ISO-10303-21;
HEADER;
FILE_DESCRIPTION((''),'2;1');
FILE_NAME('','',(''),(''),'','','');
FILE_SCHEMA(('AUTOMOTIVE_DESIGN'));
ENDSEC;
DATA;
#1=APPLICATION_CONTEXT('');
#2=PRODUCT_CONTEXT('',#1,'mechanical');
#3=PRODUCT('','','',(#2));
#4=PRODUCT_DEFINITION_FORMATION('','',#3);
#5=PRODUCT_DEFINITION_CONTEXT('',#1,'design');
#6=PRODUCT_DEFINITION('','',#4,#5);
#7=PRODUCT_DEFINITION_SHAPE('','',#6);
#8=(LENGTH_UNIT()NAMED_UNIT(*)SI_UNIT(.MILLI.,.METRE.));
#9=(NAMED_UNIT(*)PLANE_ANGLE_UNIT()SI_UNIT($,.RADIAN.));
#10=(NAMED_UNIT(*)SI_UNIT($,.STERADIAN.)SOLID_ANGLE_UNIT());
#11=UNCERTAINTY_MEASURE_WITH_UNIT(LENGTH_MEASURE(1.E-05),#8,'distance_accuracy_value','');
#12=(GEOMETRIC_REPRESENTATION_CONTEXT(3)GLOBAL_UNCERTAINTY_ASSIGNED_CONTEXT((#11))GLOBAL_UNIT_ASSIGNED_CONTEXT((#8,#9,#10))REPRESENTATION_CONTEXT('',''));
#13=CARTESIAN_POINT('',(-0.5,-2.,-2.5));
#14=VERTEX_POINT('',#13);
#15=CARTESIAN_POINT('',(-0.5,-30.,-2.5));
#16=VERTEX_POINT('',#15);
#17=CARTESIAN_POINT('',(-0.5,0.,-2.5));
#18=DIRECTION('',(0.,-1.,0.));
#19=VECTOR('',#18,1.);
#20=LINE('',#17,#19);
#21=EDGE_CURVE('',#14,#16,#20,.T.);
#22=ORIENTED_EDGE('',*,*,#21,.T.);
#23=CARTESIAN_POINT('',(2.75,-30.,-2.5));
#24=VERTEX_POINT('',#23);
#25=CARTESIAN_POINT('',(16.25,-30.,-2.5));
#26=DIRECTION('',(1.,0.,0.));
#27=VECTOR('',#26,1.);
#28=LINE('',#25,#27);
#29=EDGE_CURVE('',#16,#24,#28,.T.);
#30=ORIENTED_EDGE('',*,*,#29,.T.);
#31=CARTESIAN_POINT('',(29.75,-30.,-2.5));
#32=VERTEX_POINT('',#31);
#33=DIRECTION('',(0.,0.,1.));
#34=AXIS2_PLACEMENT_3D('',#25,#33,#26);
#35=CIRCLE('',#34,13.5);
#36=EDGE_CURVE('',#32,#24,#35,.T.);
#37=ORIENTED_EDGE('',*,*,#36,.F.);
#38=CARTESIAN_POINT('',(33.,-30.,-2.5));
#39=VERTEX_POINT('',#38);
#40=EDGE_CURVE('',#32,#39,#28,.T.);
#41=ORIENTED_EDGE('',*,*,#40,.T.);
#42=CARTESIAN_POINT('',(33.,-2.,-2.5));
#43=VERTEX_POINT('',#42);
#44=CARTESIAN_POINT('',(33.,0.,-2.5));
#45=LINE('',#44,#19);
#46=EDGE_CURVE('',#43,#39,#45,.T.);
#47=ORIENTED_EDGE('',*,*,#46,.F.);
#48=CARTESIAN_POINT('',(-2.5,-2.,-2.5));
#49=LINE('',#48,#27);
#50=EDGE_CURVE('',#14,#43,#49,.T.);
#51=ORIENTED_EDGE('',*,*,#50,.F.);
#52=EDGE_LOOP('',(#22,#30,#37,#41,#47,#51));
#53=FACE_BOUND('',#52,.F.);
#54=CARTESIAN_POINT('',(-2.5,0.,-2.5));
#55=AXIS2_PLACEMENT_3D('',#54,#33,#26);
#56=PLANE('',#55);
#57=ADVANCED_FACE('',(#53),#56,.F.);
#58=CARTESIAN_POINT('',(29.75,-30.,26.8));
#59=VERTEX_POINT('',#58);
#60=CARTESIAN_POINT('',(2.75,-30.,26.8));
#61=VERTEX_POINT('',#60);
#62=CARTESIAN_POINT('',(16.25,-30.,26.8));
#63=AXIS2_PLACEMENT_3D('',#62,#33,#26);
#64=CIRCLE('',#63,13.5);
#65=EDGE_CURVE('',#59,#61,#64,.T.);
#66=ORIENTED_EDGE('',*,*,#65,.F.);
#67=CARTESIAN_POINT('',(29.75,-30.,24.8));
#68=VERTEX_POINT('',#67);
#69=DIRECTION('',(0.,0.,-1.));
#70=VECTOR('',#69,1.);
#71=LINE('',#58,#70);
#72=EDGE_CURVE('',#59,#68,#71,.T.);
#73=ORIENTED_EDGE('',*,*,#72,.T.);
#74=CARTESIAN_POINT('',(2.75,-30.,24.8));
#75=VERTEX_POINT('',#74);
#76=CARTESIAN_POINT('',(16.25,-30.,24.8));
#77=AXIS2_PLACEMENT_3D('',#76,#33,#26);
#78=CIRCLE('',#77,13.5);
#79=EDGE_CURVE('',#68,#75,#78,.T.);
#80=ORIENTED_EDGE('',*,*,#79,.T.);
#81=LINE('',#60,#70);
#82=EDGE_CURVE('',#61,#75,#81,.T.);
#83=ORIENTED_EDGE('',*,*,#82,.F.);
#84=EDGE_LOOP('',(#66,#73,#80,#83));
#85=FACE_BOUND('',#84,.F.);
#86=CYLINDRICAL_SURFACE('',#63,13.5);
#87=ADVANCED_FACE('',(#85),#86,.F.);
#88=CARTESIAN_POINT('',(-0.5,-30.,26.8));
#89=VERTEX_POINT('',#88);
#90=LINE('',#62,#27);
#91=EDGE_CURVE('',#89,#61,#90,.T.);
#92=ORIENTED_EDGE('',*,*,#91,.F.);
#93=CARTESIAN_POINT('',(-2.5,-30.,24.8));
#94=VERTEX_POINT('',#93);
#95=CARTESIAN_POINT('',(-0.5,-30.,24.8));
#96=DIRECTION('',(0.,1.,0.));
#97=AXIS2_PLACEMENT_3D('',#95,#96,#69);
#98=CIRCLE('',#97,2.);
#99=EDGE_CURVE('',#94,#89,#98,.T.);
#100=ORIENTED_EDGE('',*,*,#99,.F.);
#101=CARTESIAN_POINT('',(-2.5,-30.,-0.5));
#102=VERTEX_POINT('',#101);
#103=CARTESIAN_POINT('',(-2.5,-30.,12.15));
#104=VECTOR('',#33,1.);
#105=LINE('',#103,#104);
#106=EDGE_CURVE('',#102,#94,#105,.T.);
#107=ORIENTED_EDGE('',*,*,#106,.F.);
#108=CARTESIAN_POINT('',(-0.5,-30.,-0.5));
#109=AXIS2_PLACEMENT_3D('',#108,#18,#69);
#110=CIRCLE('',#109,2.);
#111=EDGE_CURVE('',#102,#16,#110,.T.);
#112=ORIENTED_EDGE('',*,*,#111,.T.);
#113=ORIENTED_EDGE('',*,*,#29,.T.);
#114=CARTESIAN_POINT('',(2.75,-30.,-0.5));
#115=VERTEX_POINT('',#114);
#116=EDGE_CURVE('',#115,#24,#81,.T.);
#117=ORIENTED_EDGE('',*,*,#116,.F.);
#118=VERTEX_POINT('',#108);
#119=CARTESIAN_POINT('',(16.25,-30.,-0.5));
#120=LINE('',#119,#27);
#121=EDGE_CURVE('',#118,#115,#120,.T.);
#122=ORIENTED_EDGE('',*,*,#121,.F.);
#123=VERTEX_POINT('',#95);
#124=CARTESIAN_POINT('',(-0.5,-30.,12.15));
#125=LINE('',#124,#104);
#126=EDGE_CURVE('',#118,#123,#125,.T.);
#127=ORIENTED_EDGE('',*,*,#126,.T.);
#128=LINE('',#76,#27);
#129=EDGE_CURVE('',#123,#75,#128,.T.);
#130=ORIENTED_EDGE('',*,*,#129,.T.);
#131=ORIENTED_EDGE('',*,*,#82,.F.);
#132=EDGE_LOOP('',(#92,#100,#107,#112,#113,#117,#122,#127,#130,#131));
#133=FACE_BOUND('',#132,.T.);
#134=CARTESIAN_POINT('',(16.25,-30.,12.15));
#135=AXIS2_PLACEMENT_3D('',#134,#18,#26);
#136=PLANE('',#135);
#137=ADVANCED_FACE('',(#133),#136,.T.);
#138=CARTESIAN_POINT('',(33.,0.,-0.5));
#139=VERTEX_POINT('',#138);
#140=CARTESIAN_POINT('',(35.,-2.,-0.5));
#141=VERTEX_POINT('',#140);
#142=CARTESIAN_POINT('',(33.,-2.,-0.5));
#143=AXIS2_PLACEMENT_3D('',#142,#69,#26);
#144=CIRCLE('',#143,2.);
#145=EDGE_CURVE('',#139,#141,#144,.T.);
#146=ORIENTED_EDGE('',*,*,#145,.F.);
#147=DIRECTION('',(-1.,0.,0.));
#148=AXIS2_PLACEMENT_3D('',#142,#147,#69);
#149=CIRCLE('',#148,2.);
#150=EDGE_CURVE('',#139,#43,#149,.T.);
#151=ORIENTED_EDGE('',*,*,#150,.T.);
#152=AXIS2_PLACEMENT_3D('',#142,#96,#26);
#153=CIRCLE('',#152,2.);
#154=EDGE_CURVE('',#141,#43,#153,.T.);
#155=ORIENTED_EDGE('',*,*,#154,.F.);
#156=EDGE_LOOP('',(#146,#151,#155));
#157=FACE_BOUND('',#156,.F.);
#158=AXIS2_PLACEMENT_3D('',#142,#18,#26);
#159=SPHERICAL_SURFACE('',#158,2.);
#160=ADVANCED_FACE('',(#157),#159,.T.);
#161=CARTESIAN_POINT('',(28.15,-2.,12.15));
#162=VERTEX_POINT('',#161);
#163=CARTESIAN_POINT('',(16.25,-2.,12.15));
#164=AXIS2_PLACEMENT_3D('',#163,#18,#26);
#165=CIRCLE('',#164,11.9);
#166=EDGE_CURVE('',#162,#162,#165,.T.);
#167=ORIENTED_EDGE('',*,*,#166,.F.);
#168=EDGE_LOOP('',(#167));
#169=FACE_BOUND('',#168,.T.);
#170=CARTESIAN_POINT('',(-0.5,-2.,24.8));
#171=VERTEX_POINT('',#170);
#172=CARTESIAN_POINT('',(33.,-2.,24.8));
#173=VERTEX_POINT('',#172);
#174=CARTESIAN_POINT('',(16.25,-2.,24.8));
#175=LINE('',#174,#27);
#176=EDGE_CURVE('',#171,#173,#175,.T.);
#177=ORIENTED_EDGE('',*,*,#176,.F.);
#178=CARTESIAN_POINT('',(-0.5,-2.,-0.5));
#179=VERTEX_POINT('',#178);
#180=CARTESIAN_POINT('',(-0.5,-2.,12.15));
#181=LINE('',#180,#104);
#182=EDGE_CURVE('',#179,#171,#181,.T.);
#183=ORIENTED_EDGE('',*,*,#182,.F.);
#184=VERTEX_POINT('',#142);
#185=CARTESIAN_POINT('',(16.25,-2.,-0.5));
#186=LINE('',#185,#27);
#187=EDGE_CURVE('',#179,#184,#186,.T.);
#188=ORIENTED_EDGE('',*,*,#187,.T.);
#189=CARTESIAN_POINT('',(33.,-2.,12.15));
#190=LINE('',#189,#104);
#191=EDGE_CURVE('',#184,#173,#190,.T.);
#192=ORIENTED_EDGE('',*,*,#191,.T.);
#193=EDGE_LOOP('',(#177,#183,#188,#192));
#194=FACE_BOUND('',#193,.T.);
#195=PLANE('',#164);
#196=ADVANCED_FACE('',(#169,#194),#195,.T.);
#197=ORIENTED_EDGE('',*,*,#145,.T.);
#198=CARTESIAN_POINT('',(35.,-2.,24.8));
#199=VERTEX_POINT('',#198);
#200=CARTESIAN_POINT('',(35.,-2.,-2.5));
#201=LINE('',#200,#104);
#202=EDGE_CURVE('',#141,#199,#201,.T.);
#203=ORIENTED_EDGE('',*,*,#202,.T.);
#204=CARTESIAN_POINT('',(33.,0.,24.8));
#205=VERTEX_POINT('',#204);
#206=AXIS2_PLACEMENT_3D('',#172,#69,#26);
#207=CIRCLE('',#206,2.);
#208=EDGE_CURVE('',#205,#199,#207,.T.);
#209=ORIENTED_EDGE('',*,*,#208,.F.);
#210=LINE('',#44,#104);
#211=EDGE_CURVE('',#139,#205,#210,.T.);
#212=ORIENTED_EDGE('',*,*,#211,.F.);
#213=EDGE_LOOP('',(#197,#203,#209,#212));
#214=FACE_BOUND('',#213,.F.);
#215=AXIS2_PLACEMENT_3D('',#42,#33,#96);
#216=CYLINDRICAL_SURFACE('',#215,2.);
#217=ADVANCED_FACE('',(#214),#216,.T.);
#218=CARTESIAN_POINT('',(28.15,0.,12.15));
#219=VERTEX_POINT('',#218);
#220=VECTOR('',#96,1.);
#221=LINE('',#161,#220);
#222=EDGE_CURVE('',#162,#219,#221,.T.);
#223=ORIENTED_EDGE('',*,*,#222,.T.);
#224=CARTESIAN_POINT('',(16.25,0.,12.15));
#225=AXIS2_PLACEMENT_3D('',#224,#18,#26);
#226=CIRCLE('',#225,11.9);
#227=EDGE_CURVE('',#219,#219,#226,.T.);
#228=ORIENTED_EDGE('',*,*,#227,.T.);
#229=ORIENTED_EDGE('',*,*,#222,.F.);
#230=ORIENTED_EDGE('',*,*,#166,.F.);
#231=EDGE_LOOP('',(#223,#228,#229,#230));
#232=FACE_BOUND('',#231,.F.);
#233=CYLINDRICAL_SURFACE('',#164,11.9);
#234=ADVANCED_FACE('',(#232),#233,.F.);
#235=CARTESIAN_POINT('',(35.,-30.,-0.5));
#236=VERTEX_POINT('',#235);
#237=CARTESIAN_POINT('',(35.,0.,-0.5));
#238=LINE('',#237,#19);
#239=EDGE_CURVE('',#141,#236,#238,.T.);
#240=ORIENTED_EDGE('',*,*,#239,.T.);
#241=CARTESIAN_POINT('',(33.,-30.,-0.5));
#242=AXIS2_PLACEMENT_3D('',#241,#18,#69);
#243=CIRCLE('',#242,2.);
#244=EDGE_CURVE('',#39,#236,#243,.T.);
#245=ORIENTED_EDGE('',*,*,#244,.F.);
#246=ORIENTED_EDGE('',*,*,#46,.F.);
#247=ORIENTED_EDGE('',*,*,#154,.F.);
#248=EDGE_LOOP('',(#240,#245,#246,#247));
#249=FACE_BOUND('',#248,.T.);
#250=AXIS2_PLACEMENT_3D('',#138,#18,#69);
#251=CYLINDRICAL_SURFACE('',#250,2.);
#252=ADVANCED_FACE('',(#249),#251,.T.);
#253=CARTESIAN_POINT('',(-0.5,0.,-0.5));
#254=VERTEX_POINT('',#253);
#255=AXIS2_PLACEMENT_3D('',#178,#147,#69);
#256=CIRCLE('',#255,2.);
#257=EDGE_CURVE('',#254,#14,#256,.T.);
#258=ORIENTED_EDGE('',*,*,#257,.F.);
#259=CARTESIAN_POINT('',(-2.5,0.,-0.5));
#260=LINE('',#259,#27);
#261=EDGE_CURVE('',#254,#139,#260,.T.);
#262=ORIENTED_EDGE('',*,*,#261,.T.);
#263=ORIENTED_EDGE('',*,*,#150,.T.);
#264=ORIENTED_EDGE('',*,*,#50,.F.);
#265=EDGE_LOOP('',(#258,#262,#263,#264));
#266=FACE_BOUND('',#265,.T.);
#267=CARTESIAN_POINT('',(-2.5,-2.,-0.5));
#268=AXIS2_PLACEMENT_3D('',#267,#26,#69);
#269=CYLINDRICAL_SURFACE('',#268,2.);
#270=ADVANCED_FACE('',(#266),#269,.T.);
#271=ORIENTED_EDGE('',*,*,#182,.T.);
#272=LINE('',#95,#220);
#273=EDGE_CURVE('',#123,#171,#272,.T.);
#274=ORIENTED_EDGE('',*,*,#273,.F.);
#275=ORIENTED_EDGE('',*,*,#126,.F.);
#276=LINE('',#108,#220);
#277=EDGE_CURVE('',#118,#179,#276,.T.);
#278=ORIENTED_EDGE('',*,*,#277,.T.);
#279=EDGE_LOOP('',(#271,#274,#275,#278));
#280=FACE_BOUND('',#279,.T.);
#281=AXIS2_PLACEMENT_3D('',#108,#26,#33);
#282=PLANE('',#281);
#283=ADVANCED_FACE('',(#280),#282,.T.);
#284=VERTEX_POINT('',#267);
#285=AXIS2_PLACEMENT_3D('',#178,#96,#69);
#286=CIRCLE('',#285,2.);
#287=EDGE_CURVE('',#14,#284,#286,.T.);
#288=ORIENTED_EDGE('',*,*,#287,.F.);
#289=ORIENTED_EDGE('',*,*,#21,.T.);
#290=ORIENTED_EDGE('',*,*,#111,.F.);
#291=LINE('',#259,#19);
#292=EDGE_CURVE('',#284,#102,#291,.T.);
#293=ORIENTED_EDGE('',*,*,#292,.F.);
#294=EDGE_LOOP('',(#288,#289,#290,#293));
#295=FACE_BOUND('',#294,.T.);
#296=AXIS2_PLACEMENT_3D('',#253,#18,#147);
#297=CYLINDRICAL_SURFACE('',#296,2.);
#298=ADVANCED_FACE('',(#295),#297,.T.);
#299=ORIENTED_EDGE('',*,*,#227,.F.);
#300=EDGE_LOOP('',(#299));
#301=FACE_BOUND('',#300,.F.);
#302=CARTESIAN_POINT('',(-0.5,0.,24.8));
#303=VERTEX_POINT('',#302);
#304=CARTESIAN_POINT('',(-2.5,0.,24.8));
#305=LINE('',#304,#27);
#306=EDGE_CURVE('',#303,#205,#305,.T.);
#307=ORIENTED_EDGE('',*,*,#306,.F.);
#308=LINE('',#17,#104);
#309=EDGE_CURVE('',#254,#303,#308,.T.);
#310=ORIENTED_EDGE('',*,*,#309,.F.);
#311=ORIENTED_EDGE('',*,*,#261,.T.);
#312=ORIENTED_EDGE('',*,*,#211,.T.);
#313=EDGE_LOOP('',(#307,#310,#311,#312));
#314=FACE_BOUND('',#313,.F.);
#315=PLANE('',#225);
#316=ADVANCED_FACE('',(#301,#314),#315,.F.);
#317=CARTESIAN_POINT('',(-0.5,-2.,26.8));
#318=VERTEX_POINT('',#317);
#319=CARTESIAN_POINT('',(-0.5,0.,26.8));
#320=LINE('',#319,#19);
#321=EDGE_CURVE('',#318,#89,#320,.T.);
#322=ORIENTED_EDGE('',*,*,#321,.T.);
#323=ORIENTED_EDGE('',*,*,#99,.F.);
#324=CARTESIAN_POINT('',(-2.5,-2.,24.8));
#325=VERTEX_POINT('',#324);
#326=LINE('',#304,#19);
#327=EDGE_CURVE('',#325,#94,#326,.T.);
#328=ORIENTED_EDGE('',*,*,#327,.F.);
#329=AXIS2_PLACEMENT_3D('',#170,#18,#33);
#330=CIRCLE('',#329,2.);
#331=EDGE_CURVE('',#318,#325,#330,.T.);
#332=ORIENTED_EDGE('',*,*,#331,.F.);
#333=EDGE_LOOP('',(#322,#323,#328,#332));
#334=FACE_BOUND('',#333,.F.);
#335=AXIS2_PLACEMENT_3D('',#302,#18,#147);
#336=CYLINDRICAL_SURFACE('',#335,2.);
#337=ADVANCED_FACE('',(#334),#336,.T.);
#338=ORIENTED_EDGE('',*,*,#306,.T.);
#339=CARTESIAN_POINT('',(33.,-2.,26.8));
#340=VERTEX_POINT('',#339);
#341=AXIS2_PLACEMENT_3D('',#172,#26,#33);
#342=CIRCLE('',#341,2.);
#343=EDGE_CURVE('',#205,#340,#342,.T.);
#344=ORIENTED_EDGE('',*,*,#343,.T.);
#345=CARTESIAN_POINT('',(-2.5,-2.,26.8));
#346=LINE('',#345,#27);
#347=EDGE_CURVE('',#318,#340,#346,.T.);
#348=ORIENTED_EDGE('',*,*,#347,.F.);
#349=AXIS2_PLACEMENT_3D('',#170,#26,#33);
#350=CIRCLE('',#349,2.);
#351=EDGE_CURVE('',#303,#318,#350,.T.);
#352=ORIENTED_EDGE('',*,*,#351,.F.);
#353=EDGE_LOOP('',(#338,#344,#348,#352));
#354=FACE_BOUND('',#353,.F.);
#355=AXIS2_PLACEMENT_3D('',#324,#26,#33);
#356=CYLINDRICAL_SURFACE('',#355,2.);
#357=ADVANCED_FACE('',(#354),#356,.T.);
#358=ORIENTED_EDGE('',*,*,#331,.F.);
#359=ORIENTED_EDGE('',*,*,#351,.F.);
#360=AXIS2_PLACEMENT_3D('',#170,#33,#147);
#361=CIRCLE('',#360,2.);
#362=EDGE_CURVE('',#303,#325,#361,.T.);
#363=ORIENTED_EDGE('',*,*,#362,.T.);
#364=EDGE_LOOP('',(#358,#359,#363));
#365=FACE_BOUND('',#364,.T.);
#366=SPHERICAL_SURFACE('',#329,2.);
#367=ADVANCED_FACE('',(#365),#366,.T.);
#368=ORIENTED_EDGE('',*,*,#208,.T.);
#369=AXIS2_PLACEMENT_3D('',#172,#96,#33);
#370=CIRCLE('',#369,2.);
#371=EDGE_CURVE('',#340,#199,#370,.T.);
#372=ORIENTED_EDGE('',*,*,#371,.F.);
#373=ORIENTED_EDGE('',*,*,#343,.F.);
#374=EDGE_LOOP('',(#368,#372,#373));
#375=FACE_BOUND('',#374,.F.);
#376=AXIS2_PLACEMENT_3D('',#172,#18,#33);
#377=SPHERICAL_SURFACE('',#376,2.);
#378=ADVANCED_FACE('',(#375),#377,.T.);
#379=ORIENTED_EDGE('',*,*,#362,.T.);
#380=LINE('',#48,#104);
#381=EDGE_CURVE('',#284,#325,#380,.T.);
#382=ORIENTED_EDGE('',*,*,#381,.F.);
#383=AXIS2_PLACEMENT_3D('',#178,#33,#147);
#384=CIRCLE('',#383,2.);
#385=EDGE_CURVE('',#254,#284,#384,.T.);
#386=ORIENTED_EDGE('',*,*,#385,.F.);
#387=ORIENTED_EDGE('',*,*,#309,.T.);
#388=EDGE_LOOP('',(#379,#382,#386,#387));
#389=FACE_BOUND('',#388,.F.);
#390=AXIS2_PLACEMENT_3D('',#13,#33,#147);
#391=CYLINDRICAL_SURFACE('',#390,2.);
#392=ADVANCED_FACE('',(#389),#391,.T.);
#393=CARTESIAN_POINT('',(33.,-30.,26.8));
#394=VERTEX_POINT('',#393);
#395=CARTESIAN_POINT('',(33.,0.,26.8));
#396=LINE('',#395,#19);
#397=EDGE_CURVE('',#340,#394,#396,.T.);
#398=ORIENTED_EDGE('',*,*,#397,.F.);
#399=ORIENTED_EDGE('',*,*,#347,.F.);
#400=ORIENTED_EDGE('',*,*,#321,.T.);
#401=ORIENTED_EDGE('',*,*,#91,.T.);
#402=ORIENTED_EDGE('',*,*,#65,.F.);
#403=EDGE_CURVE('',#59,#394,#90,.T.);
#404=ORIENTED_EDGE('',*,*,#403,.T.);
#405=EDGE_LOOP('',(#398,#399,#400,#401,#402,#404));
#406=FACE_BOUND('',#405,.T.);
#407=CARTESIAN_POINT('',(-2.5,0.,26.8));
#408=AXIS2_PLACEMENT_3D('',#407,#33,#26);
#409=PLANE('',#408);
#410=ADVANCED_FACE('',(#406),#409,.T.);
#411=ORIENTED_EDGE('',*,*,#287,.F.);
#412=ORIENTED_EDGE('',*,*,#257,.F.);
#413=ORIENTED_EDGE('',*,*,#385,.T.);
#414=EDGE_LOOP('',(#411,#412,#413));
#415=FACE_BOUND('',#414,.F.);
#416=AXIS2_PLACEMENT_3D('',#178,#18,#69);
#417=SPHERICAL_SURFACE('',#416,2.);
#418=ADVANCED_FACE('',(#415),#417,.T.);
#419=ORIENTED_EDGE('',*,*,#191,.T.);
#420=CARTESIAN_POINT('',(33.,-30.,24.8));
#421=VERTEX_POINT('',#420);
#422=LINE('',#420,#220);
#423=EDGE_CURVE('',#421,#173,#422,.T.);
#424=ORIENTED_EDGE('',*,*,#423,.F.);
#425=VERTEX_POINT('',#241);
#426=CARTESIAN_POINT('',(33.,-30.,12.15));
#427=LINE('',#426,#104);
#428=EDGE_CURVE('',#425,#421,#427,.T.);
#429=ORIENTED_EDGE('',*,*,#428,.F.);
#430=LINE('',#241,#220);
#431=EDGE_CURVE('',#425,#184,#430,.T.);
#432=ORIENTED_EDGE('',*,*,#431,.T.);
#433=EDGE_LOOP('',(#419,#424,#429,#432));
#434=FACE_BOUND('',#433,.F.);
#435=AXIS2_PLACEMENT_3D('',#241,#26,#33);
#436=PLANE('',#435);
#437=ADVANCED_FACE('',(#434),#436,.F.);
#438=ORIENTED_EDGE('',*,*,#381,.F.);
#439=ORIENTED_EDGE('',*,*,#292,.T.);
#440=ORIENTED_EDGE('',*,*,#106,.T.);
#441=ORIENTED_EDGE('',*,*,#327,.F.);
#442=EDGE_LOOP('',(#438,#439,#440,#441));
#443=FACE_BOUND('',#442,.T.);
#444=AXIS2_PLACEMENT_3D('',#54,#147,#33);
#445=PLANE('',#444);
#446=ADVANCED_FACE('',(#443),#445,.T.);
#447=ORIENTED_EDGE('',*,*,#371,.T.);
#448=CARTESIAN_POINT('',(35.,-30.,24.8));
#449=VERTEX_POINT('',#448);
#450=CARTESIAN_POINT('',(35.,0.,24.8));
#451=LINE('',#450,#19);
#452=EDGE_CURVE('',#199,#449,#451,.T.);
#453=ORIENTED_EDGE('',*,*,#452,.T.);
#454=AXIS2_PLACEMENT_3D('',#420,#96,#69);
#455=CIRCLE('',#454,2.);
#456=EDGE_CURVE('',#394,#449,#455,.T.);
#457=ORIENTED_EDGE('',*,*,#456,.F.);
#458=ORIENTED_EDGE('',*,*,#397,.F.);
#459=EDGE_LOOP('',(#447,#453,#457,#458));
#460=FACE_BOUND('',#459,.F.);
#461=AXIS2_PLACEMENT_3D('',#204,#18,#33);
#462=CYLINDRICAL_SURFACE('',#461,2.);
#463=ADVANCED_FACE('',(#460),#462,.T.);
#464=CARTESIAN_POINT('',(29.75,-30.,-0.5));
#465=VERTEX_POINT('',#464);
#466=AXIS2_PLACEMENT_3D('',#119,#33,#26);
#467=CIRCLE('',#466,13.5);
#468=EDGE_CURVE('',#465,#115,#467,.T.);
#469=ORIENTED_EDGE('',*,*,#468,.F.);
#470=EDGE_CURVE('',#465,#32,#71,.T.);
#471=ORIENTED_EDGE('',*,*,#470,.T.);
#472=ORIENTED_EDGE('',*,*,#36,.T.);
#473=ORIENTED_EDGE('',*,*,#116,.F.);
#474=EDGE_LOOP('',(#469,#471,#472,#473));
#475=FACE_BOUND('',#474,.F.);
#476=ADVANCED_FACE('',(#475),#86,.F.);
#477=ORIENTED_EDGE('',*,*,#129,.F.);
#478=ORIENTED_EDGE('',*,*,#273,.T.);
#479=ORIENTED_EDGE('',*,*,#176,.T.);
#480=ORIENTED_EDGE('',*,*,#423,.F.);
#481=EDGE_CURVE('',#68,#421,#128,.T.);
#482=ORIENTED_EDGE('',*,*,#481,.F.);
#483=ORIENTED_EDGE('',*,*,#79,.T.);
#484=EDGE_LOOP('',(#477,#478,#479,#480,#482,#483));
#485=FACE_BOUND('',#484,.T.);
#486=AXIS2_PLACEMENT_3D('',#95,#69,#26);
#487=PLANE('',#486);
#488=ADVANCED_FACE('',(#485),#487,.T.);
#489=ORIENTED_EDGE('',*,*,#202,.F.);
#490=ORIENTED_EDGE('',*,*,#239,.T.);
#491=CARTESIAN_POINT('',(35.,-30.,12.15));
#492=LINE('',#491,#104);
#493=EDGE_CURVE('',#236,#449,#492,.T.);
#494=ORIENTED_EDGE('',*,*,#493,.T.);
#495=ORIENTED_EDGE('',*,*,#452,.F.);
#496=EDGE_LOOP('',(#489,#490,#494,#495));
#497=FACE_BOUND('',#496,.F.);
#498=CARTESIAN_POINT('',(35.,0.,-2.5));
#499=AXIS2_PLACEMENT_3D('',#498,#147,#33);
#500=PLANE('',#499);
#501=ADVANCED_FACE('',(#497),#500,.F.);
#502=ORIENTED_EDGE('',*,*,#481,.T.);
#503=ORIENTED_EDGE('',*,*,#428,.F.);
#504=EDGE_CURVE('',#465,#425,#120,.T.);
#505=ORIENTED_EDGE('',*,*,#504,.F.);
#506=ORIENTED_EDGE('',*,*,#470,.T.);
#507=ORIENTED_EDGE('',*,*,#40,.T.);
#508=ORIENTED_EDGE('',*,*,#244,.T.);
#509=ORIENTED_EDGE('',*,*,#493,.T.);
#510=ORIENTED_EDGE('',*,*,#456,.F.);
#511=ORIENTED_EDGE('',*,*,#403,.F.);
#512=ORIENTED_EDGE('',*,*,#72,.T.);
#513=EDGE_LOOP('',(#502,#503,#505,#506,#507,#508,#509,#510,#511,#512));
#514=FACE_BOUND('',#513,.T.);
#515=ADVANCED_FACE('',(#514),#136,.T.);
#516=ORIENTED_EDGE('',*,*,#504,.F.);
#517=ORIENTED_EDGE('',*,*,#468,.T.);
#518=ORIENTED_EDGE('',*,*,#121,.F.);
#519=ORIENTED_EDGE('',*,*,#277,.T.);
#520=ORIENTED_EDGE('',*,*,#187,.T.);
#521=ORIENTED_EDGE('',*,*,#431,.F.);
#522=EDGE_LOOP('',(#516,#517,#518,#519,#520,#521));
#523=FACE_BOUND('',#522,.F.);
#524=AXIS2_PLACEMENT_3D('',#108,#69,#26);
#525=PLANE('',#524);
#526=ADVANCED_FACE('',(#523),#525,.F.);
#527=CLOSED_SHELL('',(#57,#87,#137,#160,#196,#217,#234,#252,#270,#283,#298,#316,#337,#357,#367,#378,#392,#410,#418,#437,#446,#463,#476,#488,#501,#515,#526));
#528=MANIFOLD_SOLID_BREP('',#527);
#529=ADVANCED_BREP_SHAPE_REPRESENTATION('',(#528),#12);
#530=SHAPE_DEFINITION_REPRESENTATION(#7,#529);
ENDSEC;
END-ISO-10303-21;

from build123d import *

# Parameters (mm, degrees)
F0_W     = 37.5
F0_H     = 29.3
F1_DEPTH = 30
F2_W     = 33.5
F2_H     = 25.3
F3_DEPTH = 28
F4_R     = 11.9
F5_DEPTH = 2.001
F7_DEPTH = 29.301
F8_R     = 2


with BuildPart() as f1:
    # F0 (on Front) → F1 (new body)
    with BuildSketch(Plane.XZ):
        with Locations((16.25, 12.15)):
            Rectangle(F0_W, F0_H)
    extrude(amount=F1_DEPTH)

    # F2 (on face) → F3 (cut)
    with BuildSketch(Plane.XZ.offset(30)):
        with Locations((16.25, 12.15)):
            Rectangle(F2_W, F2_H)
    extrude(amount=-F3_DEPTH, mode=Mode.SUBTRACT)

    # F4 (on face) → F5 (cut, through all)
    with BuildSketch(Plane.XZ.offset(2)):
        with Locations((16.25, 12.15)):
            Circle(F4_R)
    extrude(amount=-F5_DEPTH, mode=Mode.SUBTRACT)

    # F6 (on face) → F7 (cut, through all)
    with BuildSketch(Plane.XY.offset(26.8)):
        with BuildLine():
            Line((2.75, -30), (29.75, -30))
            ThreePointArc((29.75, -30), (16.25, -16.5), (2.75, -30))
        make_face()
    extrude(amount=-F7_DEPTH, mode=Mode.SUBTRACT)

    # F8
    f8_edges = [f1.edges().sort_by_distance(p)[0] for p in [
        (-2.5, -15, 26.8),
        (-2.5, -15, -2.5),
        (35, -15, -2.5),
        (35, -15, 26.8),
        (16.25, 0, 26.8),
        (35, 0, 12.15),
        (16.25, 0, -2.5),
        (-2.5, 0, 12.15),
    ]]
    fillet(f8_edges, radius=F8_R)


solid = f1.part
